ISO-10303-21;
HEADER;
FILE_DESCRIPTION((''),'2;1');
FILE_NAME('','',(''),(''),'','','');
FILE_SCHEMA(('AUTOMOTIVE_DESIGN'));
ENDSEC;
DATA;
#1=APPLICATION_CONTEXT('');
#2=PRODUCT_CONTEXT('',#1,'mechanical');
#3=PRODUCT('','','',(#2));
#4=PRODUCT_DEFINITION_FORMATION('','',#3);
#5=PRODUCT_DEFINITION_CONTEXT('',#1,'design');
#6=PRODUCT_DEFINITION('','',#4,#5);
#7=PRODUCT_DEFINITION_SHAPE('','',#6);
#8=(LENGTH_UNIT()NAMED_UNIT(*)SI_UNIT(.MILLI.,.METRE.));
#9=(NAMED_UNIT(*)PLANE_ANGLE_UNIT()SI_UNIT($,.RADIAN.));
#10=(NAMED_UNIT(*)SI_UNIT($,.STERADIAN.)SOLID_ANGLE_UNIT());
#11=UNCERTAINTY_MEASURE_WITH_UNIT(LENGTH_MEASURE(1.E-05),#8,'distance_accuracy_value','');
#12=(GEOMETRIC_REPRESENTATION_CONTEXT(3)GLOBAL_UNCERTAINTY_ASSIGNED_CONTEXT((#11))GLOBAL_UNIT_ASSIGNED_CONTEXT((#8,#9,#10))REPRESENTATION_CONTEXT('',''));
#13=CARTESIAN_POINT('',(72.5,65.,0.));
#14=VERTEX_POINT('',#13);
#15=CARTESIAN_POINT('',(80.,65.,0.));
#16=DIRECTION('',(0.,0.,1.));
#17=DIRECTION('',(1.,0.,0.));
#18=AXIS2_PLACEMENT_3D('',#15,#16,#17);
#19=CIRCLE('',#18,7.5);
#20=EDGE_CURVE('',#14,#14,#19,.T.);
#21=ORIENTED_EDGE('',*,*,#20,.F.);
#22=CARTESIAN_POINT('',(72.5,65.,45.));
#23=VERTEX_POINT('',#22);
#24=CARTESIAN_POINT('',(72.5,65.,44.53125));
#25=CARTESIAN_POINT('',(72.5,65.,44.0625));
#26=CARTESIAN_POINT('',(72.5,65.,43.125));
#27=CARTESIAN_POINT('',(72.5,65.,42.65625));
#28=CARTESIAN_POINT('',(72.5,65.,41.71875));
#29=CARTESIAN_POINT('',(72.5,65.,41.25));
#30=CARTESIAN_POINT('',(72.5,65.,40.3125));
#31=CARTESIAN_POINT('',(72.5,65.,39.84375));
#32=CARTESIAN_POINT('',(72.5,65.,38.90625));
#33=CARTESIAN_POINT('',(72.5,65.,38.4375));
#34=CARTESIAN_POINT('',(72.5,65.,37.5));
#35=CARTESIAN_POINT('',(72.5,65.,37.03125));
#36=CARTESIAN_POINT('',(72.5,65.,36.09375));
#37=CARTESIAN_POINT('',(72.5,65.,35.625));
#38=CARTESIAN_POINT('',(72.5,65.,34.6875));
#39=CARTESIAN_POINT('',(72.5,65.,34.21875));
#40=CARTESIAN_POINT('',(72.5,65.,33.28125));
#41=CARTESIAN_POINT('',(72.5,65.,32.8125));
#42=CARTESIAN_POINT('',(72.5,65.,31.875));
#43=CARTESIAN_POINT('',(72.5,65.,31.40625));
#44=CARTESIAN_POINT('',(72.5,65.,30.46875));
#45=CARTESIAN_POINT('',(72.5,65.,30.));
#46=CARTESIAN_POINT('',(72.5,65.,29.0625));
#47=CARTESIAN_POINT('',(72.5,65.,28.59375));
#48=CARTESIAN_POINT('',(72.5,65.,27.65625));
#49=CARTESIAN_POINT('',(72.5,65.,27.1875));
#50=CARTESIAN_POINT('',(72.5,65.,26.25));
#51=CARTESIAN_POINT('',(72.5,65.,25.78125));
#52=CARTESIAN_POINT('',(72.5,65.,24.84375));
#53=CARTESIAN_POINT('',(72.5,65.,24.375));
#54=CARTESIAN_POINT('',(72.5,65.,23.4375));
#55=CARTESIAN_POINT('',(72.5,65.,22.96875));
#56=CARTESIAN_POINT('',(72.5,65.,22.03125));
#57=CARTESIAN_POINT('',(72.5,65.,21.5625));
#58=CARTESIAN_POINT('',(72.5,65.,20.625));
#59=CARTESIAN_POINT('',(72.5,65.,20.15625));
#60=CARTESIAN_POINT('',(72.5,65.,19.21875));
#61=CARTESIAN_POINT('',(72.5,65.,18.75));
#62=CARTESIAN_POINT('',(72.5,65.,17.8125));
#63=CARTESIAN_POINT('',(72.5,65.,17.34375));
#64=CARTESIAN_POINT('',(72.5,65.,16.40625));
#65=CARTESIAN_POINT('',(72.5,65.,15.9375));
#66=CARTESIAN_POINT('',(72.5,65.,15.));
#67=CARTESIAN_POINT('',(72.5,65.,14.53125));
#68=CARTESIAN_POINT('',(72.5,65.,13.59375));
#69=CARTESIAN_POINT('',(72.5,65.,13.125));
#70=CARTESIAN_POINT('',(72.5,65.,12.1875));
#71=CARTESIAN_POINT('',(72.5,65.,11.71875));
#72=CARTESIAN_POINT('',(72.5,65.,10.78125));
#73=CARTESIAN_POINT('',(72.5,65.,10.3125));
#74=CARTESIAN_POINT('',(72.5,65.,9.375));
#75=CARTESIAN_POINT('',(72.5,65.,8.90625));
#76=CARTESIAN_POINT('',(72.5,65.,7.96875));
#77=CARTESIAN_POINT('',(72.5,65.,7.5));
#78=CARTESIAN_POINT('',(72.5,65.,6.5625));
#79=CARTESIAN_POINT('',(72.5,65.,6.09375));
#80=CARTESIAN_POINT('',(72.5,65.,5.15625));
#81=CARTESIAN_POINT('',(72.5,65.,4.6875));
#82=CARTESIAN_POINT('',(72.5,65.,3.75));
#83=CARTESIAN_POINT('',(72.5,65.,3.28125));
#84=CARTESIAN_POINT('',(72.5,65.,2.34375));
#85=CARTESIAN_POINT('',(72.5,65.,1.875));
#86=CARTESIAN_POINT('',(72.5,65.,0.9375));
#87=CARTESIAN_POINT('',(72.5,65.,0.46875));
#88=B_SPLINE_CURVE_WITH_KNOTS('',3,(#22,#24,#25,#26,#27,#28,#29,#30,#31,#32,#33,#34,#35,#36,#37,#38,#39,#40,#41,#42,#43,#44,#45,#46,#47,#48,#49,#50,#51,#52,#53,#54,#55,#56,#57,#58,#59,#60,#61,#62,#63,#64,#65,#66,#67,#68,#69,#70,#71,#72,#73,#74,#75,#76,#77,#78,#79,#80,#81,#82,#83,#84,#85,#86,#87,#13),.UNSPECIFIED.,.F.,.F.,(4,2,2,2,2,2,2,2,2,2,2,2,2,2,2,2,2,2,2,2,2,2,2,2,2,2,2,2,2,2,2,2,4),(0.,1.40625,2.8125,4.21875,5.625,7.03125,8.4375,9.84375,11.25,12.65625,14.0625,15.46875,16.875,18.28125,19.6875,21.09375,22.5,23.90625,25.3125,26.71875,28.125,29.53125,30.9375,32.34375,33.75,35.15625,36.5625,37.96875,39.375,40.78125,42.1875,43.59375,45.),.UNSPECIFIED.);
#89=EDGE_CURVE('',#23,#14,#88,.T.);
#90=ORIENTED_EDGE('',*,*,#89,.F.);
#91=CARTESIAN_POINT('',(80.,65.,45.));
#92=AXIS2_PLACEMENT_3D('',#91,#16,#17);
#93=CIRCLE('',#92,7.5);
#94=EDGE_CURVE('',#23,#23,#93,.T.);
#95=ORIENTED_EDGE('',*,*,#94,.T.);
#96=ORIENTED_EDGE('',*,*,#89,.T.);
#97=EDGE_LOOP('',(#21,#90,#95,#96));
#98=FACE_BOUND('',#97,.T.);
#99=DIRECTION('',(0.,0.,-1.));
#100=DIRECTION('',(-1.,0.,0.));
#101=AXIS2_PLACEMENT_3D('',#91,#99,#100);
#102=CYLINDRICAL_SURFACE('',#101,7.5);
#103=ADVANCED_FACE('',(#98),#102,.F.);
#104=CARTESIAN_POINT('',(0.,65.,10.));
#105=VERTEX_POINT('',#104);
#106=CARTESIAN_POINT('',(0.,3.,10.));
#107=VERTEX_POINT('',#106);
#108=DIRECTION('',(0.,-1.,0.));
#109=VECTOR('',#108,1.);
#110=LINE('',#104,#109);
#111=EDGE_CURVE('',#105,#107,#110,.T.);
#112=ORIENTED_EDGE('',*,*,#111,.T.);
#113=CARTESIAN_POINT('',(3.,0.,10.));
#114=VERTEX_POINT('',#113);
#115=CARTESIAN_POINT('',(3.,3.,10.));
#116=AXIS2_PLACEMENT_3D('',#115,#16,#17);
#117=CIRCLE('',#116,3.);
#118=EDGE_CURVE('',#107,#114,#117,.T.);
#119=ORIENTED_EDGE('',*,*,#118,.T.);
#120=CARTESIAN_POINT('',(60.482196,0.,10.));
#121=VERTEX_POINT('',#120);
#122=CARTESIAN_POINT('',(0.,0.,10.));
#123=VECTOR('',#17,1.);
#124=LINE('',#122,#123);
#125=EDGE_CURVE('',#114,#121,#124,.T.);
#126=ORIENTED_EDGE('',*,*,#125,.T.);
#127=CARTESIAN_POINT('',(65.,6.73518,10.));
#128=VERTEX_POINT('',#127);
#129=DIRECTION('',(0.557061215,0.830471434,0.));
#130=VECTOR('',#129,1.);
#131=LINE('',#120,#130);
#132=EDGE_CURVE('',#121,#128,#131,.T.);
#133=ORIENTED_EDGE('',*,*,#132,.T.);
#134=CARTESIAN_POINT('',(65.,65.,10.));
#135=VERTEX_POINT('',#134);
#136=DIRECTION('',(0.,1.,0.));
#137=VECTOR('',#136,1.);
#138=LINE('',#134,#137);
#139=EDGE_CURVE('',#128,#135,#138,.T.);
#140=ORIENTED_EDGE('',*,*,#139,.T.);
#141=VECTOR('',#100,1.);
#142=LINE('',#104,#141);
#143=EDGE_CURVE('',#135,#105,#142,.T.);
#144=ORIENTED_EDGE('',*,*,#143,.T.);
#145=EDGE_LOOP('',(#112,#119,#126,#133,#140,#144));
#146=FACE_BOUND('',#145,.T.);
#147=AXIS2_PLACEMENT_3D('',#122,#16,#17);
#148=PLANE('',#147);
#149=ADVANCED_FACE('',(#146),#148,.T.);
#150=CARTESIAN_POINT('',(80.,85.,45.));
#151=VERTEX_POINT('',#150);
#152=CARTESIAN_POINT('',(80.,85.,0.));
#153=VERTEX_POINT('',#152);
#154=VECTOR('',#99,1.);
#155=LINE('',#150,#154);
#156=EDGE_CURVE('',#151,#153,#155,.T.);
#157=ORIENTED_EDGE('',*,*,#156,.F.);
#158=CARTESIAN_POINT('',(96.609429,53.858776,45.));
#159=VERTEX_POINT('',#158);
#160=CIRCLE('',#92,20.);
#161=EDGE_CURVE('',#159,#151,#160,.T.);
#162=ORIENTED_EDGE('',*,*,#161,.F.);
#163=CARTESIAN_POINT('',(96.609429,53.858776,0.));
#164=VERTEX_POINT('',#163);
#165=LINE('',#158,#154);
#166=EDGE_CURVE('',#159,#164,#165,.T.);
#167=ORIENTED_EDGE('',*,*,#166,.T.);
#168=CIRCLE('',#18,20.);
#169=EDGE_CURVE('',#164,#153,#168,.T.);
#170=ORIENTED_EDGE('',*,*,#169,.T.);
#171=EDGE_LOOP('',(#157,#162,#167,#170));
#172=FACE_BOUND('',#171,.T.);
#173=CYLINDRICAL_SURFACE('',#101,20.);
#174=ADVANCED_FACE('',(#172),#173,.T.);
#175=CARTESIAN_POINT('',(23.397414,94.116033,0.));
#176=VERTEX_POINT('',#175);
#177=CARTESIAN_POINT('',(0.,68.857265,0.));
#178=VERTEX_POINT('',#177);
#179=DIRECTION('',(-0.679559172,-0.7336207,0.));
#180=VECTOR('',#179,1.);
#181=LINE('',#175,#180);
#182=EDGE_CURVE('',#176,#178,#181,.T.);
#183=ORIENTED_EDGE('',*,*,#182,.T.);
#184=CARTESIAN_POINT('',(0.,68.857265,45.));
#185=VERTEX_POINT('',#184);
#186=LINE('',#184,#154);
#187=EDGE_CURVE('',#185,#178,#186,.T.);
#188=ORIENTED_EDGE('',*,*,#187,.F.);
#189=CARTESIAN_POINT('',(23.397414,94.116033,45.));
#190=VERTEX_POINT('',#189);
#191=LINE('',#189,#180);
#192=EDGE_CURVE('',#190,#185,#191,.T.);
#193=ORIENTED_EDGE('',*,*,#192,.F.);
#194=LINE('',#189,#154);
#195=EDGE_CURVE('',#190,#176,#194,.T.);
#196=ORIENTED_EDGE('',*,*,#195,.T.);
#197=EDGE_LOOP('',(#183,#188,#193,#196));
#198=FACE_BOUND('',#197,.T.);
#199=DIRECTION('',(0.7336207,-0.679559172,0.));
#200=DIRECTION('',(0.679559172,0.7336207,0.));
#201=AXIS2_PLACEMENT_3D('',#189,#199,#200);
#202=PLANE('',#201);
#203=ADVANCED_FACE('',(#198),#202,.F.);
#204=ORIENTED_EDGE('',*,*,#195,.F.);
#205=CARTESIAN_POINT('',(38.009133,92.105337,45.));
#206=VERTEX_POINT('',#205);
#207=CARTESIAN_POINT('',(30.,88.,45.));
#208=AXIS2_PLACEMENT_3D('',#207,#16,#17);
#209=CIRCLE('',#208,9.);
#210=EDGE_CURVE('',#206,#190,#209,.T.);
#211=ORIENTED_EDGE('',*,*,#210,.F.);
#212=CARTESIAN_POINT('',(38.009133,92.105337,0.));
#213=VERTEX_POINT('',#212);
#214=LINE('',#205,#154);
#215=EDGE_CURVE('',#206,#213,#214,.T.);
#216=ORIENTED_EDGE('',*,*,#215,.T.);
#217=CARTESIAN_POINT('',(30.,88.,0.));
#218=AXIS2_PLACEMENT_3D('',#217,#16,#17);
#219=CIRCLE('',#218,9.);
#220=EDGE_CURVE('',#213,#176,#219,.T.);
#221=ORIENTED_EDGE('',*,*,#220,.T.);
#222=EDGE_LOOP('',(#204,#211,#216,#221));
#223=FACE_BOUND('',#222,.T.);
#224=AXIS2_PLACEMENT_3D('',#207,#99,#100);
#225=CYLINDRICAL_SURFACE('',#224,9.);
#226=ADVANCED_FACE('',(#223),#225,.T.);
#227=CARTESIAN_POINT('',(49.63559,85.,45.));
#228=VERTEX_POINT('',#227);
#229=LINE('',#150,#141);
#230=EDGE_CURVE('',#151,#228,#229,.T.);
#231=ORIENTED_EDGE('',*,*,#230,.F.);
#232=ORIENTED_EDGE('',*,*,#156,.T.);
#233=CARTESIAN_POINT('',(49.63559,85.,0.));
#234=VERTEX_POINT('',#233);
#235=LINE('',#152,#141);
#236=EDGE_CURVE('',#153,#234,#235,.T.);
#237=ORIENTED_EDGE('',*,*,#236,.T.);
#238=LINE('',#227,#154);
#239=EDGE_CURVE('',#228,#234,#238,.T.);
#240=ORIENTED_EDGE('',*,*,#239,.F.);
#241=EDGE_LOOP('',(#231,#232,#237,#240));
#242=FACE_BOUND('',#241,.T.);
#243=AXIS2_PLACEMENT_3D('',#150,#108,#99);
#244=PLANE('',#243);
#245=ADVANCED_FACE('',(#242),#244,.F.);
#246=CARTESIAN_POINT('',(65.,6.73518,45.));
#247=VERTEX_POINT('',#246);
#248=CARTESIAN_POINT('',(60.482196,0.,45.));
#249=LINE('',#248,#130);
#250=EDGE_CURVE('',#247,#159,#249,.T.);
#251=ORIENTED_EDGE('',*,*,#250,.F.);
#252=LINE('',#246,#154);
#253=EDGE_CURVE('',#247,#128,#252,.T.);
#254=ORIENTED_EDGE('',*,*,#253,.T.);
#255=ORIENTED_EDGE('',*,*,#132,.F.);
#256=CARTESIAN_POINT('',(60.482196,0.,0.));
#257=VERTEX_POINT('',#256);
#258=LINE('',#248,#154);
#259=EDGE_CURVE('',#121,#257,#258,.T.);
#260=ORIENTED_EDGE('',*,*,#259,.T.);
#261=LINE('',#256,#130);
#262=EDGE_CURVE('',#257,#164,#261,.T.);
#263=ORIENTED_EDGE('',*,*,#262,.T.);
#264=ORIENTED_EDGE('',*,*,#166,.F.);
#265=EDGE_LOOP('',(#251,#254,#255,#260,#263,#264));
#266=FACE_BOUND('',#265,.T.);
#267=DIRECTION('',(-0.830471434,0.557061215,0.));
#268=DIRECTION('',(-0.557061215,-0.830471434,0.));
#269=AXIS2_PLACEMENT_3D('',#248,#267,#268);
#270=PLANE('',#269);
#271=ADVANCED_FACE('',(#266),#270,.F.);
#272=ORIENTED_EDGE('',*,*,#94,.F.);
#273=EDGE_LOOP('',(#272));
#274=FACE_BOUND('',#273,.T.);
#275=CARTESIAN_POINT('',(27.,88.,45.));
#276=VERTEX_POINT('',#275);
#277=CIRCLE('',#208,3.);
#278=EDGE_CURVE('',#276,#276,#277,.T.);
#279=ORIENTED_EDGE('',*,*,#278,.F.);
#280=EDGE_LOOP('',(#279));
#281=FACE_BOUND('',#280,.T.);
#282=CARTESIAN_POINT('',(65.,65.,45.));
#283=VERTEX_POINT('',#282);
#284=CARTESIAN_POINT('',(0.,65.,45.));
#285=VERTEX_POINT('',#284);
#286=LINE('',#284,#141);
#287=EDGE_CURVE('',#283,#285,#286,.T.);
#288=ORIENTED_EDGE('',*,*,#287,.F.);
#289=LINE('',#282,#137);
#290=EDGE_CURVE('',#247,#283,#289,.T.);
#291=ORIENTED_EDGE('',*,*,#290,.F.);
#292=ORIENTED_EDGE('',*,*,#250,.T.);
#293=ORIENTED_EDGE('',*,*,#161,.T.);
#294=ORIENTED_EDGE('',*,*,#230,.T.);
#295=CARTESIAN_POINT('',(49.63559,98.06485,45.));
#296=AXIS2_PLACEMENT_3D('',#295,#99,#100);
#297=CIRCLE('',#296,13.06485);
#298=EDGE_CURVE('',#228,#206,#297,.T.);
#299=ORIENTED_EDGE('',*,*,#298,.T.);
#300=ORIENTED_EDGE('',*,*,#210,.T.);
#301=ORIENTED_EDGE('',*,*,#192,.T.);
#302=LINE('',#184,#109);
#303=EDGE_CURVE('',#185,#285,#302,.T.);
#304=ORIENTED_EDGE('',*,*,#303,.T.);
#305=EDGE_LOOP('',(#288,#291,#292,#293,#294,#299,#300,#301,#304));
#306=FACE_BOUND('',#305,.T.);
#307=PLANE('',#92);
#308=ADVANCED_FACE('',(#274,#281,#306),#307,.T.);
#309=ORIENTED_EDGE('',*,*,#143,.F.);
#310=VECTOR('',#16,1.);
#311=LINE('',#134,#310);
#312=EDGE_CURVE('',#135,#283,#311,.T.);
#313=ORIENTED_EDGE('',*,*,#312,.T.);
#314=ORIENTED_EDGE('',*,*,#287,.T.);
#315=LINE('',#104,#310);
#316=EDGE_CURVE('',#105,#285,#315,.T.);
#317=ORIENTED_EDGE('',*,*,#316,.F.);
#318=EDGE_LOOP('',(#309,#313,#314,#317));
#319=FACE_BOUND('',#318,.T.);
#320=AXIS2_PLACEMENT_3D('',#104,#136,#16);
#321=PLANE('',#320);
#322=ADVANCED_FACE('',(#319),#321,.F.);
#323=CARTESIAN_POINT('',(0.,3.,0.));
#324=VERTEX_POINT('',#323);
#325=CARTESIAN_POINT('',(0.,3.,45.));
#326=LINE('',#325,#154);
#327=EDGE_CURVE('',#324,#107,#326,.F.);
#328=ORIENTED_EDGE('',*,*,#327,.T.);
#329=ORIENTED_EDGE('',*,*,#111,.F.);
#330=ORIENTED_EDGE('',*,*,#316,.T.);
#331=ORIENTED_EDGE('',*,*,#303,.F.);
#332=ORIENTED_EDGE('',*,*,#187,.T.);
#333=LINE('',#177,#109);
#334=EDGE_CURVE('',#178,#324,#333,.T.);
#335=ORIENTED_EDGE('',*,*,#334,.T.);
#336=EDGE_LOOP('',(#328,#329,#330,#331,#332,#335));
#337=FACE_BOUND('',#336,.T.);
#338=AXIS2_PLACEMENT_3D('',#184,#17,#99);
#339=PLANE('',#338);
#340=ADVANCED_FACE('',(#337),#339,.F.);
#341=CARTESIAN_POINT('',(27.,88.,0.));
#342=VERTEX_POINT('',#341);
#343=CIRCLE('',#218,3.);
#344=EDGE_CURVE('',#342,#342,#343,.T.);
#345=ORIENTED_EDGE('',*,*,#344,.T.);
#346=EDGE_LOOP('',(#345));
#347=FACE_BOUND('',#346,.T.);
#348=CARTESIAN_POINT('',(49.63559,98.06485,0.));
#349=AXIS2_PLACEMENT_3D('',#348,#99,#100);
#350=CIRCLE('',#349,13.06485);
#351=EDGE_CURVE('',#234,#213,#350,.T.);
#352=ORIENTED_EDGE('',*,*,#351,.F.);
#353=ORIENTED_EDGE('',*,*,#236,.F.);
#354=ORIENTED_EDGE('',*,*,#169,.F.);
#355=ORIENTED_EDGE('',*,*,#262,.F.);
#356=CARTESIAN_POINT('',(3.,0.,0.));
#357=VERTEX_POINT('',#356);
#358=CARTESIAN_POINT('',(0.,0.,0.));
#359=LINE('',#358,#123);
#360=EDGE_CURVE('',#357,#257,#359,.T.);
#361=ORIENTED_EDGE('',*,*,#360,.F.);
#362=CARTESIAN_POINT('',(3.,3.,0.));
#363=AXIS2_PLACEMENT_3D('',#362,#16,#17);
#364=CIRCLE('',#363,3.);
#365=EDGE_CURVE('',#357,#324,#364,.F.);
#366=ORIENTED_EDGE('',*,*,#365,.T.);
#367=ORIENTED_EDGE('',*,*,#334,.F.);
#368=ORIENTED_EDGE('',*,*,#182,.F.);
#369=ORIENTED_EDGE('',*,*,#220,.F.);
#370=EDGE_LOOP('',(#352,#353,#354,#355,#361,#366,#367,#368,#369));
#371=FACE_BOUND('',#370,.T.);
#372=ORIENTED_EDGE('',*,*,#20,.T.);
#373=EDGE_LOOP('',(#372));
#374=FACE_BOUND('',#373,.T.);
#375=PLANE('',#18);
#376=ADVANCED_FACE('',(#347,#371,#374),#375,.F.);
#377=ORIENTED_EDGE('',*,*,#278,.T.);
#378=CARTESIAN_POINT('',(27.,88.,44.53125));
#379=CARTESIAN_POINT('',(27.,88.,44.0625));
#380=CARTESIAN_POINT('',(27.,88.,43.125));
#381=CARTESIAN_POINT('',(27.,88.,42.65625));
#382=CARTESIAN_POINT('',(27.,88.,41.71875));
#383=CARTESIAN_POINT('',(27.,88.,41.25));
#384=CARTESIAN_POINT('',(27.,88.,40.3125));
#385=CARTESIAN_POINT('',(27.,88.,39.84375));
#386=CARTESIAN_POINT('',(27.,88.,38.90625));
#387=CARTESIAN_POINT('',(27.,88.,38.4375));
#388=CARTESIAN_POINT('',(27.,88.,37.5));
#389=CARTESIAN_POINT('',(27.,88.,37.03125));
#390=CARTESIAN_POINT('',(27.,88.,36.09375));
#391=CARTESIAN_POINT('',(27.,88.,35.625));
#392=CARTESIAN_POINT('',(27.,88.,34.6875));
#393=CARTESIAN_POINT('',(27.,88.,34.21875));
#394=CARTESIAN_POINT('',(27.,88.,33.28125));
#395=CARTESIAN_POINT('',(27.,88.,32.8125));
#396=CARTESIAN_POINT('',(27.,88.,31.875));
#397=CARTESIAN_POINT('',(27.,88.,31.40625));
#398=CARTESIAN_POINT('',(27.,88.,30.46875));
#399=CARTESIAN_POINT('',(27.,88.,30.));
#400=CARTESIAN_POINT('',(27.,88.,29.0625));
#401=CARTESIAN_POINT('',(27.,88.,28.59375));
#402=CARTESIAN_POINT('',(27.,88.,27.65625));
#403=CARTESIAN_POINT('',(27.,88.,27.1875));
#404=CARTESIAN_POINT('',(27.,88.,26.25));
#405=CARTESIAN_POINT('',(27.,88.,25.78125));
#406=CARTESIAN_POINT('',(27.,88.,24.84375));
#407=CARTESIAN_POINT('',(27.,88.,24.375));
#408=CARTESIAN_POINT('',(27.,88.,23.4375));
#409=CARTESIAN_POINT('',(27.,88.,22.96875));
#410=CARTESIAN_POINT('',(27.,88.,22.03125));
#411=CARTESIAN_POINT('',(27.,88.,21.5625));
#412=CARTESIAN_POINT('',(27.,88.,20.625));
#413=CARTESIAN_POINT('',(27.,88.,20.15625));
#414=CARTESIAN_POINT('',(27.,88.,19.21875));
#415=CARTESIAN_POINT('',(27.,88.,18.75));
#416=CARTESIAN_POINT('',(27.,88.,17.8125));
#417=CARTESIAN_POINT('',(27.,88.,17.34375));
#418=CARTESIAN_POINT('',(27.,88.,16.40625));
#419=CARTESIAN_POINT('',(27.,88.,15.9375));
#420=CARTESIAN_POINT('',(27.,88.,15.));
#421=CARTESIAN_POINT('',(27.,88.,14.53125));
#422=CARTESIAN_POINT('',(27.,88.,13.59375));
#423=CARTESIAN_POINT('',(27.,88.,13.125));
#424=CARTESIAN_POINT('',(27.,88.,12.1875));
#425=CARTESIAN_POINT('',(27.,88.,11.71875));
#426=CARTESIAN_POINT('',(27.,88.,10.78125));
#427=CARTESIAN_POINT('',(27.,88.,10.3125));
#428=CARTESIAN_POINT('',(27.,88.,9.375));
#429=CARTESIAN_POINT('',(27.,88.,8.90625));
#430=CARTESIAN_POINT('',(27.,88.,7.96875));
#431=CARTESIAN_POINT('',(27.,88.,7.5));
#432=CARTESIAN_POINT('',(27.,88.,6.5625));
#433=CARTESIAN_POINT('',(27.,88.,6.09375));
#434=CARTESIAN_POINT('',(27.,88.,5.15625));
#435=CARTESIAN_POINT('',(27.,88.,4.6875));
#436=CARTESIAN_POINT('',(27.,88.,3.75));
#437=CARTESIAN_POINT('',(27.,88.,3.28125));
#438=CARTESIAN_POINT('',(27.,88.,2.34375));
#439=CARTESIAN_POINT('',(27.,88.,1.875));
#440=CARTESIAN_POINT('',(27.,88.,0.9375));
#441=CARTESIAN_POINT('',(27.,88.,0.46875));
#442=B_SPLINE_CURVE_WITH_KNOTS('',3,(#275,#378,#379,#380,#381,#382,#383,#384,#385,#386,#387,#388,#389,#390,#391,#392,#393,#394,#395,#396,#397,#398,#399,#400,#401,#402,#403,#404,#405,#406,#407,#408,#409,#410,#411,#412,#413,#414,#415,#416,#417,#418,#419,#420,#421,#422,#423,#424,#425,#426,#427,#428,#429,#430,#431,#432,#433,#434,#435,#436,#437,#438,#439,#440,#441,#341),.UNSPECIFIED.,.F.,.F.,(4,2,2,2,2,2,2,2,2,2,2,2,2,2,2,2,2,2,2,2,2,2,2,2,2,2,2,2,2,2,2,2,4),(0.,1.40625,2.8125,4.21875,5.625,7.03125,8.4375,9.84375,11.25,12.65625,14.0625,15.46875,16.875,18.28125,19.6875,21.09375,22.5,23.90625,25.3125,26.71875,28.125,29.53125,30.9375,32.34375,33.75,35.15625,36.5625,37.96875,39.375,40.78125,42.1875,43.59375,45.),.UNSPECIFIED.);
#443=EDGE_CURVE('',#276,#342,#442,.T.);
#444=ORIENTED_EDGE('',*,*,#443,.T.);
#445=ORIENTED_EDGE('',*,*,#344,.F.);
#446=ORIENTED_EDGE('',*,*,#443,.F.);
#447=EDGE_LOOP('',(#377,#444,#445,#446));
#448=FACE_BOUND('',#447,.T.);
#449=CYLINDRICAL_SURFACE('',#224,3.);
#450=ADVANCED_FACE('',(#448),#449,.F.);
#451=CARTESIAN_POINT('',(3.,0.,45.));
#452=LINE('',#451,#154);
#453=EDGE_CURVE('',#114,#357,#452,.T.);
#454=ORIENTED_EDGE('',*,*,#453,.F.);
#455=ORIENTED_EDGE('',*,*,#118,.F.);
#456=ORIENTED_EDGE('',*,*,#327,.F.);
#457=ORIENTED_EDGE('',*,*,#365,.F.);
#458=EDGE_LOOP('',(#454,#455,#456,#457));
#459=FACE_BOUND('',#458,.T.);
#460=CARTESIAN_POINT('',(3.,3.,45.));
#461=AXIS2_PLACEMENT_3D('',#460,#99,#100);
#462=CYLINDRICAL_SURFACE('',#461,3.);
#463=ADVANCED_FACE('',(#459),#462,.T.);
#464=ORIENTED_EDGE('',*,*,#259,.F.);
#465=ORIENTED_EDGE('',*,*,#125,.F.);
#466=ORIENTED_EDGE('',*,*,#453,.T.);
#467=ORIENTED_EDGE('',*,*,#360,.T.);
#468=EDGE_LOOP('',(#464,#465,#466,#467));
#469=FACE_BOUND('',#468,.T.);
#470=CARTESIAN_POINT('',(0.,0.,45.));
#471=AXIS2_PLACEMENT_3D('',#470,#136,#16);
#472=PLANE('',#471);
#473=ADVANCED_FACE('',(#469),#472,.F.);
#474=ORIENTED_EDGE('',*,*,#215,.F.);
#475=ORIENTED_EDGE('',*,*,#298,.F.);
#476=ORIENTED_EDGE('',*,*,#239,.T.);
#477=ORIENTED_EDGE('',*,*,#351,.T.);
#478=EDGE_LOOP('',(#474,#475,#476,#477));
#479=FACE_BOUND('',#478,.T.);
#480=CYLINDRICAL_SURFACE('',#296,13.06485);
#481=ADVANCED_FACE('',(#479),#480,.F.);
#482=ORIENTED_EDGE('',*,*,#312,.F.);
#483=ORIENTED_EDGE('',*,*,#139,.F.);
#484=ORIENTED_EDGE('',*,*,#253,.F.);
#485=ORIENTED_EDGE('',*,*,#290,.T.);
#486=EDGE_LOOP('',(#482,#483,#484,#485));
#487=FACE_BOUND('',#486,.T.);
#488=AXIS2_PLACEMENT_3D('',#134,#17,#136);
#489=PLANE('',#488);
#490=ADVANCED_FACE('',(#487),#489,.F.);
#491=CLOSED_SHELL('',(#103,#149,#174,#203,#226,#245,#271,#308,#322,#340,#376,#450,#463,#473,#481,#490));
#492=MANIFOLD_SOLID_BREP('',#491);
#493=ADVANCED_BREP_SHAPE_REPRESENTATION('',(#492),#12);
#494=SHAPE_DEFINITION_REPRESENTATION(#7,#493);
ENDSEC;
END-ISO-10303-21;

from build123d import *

# Parameters (mm, degrees)
SKETCH_1_R          = 3
SKETCH_1_R_2        = 7.5
EXTRUDE_2_DEPTH     = 45
SKETCH_3_W          = 65
SKETCH_3_H          = 65
CUT_EXTRUDE_1_DEPTH = 35
FILLET_1_R          = 3


with BuildPart() as part:
    # ｽｹｯﾁ1 → ﾎﾞｽ - 押し出し2 (new body)
    with BuildSketch(Plane.XY):
        with BuildLine():
            Line((0, 0), (60.482195673, 0))
            Line((60.482195673, 0), (96.609428685, 53.858775707))
            ThreePointArc((96.609428685, 53.858775707), (97.646876294, 74.412106941), (80, 85))
            Line((80, 85), (49.635590302, 85))
            ThreePointArc((49.635590302, 85), (42.822728652, 86.91697026), (38.00913265, 92.105337282))
            ThreePointArc((38.00913265, 92.105337282), (31.226913615, 96.915979081), (23.397413698, 94.116032547))
            Line((23.397413698, 94.116032547), (0, 68.857265202))
            Line((0, 68.857265202), (0, 0))
        make_face()
        with Locations(Location((30, 88, 0), (0, 0, 180))):
            Circle(SKETCH_1_R, mode=Mode.SUBTRACT)
        with Locations(Location((80, 65, 0), (0, 0, 180))):
            Circle(SKETCH_1_R_2, mode=Mode.SUBTRACT)
    extrude(amount=EXTRUDE_2_DEPTH)

    # ｽｹｯﾁ3 → ｶｯﾄ - 押し出し1 (cut)
    with BuildSketch(Plane.XY.offset(45)):
        with Locations((32.5, 32.5)):
            Rectangle(SKETCH_3_W, SKETCH_3_H)
    extrude(amount=-CUT_EXTRUDE_1_DEPTH, mode=Mode.SUBTRACT)

    # ﾌｨﾚｯﾄ1
    fillet_1_edges = [part.edges().sort_by_distance(p)[0] for p in [
        (0, 0, 5),
    ]]
    fillet(fillet_1_edges, radius=FILLET_1_R)


solid = part.part
